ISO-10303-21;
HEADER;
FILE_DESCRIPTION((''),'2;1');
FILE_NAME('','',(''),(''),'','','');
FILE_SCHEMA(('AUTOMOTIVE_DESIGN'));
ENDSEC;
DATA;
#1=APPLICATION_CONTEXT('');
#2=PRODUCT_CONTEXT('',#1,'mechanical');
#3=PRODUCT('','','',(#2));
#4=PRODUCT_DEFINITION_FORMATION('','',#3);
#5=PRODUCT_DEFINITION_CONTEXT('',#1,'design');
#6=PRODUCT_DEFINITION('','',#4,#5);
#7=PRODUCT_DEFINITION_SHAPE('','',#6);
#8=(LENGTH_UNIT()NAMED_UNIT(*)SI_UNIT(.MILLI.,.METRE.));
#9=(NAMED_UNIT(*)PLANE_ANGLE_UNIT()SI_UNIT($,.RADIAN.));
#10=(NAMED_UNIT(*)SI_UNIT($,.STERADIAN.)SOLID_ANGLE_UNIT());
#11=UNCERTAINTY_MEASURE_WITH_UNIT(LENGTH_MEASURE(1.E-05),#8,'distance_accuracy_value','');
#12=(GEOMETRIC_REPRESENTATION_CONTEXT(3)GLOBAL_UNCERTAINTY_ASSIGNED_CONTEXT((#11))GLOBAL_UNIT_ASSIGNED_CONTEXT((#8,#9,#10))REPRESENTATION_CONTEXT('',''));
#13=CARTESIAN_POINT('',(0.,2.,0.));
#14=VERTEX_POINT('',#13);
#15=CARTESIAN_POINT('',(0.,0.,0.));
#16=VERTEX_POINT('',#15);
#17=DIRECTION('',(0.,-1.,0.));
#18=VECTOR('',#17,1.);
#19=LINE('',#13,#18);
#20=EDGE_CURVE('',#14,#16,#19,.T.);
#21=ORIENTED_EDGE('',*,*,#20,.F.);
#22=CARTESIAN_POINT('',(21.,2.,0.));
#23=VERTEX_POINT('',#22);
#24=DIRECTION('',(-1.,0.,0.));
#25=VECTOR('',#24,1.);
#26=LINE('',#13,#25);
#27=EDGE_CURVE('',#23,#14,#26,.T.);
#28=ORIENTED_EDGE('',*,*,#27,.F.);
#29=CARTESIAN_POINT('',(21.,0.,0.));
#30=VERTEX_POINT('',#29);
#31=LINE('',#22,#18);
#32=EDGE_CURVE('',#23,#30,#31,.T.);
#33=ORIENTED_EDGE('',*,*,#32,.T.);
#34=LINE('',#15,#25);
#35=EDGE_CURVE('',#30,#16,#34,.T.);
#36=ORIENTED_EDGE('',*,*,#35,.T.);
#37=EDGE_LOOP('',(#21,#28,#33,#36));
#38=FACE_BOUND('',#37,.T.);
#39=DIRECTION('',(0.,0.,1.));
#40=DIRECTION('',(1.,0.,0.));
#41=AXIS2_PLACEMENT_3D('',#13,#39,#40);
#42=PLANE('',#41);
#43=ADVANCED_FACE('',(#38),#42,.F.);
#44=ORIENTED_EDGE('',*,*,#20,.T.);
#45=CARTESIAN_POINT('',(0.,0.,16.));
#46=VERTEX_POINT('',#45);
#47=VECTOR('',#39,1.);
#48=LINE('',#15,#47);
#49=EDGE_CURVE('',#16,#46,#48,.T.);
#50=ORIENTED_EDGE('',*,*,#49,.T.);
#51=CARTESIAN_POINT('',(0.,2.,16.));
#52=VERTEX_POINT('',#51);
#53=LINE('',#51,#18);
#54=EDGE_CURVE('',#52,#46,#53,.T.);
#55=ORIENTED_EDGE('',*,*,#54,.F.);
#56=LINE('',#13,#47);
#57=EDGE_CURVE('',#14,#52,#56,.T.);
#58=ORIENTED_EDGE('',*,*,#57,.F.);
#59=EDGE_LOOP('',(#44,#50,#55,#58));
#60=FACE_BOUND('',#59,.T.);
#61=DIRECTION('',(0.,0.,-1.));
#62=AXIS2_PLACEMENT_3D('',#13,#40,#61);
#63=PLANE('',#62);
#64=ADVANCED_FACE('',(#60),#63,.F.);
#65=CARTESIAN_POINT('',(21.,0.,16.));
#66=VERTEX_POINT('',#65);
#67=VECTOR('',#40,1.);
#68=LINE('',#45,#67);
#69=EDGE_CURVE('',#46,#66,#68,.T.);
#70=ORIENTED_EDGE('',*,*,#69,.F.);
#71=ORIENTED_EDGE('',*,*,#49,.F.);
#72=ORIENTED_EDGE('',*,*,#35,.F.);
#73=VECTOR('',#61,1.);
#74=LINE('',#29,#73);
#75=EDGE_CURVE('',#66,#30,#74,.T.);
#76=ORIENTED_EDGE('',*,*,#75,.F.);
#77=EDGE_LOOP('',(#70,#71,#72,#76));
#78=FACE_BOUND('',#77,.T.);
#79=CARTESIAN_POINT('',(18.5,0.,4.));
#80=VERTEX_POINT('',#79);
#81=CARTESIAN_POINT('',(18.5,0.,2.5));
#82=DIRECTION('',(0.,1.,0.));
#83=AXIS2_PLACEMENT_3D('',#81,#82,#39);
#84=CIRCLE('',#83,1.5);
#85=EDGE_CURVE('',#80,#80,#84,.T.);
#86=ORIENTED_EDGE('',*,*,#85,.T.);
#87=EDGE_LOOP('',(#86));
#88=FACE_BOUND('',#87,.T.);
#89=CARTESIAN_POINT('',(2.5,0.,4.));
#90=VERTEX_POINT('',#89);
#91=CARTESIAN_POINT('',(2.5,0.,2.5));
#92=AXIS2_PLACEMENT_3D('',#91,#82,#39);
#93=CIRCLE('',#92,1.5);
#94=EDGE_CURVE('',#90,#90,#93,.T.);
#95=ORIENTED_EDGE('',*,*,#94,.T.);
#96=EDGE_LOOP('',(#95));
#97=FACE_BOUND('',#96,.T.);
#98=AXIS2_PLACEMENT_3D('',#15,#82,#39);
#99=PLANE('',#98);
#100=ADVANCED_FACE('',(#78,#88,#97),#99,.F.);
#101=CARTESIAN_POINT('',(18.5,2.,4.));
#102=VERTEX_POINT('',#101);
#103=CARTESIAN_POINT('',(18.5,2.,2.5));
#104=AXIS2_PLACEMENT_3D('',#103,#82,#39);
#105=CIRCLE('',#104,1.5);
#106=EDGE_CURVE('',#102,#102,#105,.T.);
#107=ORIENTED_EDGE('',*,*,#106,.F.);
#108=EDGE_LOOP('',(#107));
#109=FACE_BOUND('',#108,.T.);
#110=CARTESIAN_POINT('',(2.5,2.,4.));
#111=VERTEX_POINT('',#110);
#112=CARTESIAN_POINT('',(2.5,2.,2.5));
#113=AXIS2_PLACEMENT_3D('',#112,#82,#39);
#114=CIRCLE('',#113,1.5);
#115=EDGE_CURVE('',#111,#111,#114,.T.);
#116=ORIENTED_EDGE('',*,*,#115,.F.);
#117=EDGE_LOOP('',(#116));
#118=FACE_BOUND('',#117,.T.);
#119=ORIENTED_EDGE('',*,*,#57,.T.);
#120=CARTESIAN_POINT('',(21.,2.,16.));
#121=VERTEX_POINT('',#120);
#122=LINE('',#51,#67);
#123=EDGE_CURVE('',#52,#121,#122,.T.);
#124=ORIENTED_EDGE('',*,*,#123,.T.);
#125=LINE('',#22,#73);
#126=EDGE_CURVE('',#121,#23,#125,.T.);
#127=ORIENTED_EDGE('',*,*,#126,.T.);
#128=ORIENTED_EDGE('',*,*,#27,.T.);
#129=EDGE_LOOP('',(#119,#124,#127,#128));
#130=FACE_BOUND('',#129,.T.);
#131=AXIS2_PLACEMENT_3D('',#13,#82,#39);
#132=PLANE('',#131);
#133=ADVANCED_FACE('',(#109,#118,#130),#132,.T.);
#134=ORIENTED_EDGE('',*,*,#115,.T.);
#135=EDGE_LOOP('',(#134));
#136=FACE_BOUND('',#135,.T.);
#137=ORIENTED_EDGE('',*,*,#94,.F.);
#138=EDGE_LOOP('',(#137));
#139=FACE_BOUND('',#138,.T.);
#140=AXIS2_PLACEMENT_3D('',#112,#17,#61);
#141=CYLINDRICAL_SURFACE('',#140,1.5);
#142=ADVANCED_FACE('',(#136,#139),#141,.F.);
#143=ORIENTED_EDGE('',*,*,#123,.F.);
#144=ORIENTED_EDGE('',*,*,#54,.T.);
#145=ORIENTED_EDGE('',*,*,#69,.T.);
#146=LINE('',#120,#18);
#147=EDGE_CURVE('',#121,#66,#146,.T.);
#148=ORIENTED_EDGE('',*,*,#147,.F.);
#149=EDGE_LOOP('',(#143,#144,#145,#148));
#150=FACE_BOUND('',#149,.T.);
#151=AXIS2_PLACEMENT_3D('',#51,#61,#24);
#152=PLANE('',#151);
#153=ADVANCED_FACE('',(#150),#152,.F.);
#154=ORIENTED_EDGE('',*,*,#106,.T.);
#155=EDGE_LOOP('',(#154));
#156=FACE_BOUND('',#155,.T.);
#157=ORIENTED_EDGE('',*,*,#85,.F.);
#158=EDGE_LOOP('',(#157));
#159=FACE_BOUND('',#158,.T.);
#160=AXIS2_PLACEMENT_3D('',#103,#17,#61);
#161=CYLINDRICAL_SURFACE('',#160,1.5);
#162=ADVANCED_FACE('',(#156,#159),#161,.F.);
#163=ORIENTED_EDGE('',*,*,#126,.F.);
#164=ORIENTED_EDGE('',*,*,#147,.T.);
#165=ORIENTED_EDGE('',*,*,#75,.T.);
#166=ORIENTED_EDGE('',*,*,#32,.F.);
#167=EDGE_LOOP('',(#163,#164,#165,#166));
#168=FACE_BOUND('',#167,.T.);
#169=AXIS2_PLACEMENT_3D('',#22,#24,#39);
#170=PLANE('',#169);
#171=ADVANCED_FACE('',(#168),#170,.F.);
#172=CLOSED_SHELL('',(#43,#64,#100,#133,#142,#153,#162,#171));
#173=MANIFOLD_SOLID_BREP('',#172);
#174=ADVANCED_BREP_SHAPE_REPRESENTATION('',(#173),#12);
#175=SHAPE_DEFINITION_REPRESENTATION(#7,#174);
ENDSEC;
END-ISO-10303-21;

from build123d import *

# Parameters (mm, degrees)
SKETCH1_W           = 21
SKETCH1_H           = 16
SKETCH1_R           = 1.5
BOSS_EXTRUDE1_DEPTH = 2


with BuildPart() as part:
    # Sketch1 → Boss-Extrude1 (new body)
    with BuildSketch(Plane(origin=(0, 0, 0), x_dir=(1, 0, 0), z_dir=(0, 1, 0))):
        with Locations((10.5, -8)):
            Rectangle(SKETCH1_W, SKETCH1_H)
        with Locations(Location((2.5, -2.5, 0), (0, 0, 270))):
            Circle(SKETCH1_R, mode=Mode.SUBTRACT)
        with Locations(Location((18.5, -2.5, 0), (0, 0, 270))):
            Circle(SKETCH1_R, mode=Mode.SUBTRACT)
    extrude(amount=BOSS_EXTRUDE1_DEPTH)


solid = part.part
